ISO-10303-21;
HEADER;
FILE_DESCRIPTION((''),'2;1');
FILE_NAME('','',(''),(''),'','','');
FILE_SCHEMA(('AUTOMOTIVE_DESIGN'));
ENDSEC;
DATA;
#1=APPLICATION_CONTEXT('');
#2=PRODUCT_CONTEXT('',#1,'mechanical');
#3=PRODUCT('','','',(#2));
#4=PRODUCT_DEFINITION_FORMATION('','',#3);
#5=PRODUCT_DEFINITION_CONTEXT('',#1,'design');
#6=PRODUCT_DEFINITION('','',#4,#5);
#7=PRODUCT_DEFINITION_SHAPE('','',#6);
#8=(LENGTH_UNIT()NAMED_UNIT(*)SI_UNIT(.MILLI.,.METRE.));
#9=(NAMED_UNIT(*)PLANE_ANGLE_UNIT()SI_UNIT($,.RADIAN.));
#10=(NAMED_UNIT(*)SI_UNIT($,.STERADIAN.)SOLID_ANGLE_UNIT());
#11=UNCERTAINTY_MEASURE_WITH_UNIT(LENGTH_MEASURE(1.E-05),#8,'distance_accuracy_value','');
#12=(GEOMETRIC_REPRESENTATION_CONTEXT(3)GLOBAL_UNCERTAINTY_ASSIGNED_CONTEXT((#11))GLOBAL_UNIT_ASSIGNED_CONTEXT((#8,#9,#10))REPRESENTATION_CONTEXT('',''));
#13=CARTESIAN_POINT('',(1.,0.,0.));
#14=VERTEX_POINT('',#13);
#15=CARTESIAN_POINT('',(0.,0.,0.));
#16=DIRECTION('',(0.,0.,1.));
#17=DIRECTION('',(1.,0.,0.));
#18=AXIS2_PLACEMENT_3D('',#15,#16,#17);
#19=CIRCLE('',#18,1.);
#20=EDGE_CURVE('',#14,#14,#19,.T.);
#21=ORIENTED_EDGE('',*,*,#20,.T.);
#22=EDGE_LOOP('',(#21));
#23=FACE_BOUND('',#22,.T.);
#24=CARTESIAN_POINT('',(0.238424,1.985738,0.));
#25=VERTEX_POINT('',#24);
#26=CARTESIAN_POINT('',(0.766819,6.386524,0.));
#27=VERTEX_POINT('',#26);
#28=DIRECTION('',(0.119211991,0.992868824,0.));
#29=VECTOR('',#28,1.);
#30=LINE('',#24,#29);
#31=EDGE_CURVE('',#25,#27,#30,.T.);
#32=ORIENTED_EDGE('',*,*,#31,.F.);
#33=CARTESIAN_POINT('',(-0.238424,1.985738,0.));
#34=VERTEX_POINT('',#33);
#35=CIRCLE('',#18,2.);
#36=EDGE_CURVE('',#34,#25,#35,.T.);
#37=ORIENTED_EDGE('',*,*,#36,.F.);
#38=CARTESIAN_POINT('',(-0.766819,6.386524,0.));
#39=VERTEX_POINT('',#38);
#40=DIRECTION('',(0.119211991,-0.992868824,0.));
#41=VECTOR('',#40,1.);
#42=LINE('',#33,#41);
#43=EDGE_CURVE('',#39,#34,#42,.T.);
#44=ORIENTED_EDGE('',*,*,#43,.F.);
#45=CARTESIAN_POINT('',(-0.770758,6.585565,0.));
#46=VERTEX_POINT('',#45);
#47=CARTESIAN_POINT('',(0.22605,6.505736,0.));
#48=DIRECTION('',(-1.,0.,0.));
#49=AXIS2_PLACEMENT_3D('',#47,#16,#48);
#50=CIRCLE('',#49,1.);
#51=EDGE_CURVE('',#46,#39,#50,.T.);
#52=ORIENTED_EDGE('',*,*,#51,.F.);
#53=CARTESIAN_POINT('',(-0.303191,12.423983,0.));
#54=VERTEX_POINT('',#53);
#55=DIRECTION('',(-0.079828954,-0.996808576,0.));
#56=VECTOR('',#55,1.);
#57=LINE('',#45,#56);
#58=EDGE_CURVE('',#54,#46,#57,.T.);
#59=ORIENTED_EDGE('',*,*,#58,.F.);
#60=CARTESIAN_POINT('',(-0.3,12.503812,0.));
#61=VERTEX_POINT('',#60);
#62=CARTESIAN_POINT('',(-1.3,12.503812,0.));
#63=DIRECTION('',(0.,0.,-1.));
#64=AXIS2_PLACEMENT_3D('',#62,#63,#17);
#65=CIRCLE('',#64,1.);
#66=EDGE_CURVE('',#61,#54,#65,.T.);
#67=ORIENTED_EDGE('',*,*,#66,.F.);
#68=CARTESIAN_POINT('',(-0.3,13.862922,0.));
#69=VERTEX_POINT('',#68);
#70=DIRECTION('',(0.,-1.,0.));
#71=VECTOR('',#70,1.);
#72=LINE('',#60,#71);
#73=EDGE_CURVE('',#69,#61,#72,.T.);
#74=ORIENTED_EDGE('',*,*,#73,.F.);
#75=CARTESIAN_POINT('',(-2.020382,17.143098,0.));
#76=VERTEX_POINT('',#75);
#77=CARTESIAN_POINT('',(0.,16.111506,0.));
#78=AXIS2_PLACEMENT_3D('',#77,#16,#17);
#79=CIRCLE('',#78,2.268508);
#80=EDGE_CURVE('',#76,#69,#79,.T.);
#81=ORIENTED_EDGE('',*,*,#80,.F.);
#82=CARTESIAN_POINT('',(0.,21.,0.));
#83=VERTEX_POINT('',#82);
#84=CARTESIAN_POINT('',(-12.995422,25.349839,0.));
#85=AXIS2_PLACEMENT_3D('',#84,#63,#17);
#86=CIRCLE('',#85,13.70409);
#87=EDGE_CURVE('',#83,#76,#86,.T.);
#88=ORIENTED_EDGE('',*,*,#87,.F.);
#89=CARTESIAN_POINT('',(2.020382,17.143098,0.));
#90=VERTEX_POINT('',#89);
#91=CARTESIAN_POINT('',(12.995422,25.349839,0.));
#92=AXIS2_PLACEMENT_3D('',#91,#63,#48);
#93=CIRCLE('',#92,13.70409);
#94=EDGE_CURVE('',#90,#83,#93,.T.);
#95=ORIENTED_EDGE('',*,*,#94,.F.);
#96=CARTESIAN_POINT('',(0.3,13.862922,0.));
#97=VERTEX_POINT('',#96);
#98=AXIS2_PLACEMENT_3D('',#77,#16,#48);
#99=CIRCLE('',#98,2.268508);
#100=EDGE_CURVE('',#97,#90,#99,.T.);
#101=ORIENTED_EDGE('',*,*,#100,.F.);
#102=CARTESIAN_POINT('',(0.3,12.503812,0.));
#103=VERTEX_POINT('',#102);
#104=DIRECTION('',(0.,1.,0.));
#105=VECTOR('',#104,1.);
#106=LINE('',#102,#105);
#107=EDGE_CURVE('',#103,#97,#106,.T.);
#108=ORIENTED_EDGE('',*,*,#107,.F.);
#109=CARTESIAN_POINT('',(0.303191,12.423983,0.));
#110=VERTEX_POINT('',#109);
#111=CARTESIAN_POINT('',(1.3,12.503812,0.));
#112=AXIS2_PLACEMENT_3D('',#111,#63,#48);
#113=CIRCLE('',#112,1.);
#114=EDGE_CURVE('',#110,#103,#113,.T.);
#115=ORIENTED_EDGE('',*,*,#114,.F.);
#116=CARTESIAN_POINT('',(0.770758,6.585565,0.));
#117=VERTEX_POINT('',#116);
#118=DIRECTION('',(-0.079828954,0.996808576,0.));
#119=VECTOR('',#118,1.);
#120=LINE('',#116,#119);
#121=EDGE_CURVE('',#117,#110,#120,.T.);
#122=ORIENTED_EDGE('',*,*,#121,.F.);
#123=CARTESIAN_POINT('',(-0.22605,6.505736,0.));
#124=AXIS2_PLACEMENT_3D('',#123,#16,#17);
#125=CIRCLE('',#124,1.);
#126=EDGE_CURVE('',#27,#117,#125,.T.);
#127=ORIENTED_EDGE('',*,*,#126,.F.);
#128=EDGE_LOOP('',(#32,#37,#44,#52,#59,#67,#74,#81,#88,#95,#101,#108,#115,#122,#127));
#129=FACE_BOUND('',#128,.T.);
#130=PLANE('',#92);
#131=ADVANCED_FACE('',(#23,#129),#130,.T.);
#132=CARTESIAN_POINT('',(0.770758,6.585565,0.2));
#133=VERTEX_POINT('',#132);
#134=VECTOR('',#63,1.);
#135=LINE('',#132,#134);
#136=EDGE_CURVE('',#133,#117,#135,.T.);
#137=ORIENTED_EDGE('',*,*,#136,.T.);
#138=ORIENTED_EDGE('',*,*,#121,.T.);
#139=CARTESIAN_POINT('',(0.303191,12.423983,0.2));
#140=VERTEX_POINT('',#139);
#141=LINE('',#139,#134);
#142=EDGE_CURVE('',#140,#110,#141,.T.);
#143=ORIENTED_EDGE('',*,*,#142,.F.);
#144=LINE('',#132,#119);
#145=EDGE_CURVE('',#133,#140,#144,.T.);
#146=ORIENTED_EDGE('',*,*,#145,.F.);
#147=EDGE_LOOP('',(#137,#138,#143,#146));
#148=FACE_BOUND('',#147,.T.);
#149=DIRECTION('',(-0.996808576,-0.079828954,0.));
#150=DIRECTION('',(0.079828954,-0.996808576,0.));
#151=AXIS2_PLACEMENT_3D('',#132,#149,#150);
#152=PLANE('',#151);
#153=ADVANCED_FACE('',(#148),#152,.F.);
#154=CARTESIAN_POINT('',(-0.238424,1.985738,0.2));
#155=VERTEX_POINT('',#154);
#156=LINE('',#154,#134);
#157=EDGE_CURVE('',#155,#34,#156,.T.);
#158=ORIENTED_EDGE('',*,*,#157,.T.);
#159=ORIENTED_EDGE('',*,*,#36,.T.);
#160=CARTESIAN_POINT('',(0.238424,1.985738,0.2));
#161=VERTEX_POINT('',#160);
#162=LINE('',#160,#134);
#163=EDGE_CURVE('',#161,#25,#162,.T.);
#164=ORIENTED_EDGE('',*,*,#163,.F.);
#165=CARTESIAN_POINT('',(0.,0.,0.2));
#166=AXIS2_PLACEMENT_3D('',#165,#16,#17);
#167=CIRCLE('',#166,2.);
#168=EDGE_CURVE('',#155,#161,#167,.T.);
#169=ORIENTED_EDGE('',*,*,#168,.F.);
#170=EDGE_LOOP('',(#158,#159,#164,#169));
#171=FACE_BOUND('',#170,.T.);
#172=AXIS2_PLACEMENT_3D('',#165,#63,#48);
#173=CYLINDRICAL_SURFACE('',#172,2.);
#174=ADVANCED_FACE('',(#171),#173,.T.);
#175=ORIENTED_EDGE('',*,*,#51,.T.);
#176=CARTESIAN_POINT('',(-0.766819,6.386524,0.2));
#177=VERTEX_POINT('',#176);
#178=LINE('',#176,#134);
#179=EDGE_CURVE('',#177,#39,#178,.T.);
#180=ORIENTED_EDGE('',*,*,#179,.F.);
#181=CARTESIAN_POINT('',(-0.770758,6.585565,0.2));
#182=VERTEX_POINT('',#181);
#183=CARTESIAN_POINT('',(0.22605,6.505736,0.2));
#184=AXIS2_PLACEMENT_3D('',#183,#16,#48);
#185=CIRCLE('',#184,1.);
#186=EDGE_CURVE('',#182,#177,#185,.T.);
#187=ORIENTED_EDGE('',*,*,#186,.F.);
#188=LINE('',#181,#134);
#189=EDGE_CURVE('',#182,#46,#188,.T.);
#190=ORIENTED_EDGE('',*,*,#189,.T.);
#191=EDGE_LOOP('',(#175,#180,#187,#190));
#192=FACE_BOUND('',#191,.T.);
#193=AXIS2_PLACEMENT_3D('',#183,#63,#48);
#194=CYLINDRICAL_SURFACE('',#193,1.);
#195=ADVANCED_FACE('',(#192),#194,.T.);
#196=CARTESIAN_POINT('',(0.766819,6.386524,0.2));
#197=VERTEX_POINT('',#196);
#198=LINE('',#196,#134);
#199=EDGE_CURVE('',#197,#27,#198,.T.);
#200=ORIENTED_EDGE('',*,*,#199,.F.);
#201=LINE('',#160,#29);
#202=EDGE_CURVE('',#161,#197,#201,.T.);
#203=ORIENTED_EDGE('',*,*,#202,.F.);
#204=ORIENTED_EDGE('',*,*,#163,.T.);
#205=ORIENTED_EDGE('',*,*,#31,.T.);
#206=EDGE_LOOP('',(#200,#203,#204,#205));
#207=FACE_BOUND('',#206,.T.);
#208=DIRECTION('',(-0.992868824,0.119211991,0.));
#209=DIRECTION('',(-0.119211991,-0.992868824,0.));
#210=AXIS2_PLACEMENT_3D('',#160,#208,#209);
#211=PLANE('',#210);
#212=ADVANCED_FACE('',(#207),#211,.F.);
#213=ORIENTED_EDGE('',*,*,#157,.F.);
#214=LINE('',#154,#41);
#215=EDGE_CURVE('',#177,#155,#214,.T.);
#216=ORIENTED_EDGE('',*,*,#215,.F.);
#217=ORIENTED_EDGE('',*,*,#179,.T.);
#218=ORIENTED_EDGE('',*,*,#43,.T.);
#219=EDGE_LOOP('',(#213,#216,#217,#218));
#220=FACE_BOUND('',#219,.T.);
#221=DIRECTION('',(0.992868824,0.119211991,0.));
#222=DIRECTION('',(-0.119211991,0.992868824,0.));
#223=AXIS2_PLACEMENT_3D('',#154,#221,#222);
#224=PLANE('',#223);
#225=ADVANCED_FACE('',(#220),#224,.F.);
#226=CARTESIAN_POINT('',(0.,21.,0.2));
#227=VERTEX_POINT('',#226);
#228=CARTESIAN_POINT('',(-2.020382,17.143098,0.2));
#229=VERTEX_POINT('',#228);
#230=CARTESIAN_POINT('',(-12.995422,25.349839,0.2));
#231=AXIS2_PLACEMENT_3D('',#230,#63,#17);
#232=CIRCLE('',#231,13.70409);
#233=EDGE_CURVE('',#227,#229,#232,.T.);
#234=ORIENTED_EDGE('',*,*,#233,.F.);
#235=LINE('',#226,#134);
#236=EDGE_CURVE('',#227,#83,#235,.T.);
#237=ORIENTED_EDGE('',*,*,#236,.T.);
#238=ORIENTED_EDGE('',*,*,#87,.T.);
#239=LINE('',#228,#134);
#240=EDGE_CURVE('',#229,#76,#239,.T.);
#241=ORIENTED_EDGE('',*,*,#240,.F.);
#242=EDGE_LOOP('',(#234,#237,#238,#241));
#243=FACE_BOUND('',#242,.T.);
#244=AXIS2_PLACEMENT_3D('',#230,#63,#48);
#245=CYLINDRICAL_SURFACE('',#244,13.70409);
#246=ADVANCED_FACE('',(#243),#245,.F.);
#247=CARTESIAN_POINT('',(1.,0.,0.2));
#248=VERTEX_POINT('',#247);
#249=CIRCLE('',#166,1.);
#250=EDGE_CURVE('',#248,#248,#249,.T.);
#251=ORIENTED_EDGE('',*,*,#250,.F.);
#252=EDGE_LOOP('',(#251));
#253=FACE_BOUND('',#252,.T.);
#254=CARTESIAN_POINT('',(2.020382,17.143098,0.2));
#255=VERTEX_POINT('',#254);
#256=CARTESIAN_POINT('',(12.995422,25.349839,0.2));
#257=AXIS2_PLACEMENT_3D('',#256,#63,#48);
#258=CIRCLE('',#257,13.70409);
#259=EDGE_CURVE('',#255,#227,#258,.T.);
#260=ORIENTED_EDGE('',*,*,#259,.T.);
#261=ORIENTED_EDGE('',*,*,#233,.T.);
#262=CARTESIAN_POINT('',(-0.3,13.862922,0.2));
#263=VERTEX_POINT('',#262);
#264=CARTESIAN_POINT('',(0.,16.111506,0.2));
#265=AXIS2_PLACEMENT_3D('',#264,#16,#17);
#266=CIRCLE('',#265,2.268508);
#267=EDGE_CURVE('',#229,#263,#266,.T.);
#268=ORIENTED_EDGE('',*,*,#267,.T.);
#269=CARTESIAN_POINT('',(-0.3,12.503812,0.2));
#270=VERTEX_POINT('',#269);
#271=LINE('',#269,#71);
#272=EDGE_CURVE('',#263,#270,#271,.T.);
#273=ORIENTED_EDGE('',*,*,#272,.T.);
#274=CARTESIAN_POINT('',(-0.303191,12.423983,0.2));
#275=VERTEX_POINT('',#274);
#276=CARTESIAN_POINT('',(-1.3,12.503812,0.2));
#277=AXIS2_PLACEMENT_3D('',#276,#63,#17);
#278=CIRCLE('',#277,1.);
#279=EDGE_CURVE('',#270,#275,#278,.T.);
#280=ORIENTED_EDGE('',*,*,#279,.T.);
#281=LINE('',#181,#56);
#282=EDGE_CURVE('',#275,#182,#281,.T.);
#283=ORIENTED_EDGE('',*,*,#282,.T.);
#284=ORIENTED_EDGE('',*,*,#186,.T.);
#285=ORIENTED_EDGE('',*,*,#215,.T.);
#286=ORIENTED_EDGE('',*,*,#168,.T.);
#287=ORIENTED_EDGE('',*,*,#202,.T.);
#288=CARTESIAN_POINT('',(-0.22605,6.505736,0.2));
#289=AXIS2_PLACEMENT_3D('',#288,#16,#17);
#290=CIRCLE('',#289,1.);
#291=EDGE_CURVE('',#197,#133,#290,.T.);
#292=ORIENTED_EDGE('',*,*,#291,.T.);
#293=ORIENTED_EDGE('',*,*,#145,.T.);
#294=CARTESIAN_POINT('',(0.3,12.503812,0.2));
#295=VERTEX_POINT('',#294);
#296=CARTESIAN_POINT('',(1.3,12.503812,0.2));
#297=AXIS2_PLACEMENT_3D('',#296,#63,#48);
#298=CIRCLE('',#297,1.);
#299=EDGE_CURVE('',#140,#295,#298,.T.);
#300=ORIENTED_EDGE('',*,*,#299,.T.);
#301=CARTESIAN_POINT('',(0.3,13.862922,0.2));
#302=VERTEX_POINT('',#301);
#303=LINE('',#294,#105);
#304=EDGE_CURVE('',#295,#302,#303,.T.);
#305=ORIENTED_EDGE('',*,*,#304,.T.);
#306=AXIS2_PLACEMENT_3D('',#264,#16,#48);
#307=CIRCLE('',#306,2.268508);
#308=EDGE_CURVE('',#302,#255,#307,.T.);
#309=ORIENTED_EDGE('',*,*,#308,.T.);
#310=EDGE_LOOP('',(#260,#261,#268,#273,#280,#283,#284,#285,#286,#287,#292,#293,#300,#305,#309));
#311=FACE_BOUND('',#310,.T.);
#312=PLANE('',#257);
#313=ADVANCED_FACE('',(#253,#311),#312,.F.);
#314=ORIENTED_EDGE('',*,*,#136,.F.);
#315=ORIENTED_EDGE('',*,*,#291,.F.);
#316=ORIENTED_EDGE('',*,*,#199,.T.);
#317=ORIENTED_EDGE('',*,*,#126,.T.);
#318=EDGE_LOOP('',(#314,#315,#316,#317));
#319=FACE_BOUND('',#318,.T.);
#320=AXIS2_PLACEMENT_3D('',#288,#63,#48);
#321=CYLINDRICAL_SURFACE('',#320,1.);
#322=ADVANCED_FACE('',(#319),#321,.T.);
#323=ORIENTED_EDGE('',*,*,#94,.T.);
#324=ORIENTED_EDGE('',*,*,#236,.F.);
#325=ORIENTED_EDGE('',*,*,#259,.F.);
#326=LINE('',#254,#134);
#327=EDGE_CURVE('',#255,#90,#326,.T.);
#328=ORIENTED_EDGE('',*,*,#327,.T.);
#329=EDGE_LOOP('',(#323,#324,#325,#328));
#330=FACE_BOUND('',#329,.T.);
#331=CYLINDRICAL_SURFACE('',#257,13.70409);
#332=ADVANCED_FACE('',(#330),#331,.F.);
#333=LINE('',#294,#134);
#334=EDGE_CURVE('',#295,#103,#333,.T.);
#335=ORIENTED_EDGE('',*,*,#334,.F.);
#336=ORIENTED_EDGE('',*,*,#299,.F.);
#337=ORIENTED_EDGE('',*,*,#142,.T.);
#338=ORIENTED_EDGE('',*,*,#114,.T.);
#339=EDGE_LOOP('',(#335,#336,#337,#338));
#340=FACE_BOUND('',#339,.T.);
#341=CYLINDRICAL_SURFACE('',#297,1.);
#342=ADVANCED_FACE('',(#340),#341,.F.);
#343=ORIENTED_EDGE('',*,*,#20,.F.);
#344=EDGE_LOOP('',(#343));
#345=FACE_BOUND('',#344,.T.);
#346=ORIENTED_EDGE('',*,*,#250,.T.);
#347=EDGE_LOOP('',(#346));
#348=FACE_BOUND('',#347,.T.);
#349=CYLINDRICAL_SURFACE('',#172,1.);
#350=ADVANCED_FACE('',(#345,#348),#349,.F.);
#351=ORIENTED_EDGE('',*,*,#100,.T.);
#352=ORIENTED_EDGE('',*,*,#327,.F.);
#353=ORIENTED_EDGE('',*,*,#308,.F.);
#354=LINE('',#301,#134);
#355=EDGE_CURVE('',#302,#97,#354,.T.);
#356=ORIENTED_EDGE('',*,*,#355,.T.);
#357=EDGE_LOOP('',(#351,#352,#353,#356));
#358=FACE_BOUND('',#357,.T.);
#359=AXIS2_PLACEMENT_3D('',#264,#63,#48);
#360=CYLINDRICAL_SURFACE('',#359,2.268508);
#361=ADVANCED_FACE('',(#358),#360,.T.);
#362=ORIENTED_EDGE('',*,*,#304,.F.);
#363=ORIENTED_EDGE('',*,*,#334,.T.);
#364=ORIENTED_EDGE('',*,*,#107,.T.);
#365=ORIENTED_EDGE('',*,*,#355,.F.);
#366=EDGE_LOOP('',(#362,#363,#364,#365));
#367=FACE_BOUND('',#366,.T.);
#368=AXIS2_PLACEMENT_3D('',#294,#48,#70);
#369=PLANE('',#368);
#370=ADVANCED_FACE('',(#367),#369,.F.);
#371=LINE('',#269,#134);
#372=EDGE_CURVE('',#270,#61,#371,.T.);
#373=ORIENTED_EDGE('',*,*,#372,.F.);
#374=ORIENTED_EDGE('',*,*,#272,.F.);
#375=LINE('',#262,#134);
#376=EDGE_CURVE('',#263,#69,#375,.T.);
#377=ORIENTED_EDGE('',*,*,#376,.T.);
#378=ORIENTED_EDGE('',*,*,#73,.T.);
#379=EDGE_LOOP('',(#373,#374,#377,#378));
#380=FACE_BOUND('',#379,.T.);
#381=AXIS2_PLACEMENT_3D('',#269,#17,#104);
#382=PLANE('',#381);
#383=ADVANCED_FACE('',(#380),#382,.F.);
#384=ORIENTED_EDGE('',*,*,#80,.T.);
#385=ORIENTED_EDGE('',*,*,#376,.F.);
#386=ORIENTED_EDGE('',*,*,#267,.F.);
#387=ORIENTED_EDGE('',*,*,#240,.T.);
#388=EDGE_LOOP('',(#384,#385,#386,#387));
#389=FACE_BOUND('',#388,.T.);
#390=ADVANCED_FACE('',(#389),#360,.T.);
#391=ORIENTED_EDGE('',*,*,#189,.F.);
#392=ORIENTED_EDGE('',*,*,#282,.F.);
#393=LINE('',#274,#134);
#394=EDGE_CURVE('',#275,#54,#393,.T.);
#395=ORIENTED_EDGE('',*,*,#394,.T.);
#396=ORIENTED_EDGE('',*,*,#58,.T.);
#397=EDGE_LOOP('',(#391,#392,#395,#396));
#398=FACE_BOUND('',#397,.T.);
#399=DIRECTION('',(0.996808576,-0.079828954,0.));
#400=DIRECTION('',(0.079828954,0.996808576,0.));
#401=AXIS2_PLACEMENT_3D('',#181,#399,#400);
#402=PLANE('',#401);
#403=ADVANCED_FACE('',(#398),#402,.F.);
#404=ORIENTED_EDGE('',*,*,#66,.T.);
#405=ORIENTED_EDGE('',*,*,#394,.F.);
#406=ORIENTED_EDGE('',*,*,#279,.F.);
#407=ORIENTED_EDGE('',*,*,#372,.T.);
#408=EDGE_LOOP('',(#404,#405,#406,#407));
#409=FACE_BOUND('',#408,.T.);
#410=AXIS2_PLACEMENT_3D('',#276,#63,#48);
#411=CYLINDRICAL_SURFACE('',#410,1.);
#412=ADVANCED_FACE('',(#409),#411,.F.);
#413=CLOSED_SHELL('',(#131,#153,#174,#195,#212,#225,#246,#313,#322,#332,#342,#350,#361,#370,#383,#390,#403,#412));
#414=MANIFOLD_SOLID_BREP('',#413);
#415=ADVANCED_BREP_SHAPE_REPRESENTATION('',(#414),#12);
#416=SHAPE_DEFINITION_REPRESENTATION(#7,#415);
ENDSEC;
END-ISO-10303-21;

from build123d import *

# Parameters (mm, degrees)
SKETCH1_R           = 1
BOSS_EXTRUDE1_DEPTH = 0.2


with BuildPart() as part:
    # Sketch1 → Boss-Extrude1 (new body)
    with BuildSketch(Plane.XY):
        with BuildLine():
            Line((-0.238423982, 1.985737648), (-0.766818617, 6.386524482))
            ThreePointArc((-0.766818617, 6.386524482), (-0.773753956, 6.48594667), (-0.77075837, 6.585565427))
            Line((-0.77075837, 6.585565427), (-0.303191424, 12.423982653))
            ThreePointArc((-0.303191424, 12.423982653), (-0.300798174, 12.463865246), (-0.3, 12.503811607))
            Line((-0.3, 12.503811607), (-0.3, 13.862922443))
            ThreePointArc((-0.3, 13.862922443), (-2.008962857, 15.057847822), (-2.020381908, 17.143098483))
            ThreePointArc((-2.020381908, 17.143098483), (-0.856036284, 18.990797554), (0, 21))
            ThreePointArc((0, 21), (0.856036284, 18.990797554), (2.020381908, 17.143098483))
            ThreePointArc((2.020381908, 17.143098483), (2.008962857, 15.057847822), (0.3, 13.862922443))
            Line((0.3, 13.862922443), (0.3, 12.503811607))
            ThreePointArc((0.3, 12.503811607), (0.300798174, 12.463865246), (0.303191424, 12.423982653))
            Line((0.303191424, 12.423982653), (0.77075837, 6.585565427))
            ThreePointArc((0.77075837, 6.585565427), (0.773753956, 6.48594667), (0.766818617, 6.386524482))
            Line((0.766818617, 6.386524482), (0.238423982, 1.985737648))
            ThreePointArc((0.238423982, 1.985737648), (0, -2), (-0.238423982, 1.985737648))
        make_face()
        Circle(SKETCH1_R, mode=Mode.SUBTRACT)
    extrude(amount=BOSS_EXTRUDE1_DEPTH)


solid = part.part
